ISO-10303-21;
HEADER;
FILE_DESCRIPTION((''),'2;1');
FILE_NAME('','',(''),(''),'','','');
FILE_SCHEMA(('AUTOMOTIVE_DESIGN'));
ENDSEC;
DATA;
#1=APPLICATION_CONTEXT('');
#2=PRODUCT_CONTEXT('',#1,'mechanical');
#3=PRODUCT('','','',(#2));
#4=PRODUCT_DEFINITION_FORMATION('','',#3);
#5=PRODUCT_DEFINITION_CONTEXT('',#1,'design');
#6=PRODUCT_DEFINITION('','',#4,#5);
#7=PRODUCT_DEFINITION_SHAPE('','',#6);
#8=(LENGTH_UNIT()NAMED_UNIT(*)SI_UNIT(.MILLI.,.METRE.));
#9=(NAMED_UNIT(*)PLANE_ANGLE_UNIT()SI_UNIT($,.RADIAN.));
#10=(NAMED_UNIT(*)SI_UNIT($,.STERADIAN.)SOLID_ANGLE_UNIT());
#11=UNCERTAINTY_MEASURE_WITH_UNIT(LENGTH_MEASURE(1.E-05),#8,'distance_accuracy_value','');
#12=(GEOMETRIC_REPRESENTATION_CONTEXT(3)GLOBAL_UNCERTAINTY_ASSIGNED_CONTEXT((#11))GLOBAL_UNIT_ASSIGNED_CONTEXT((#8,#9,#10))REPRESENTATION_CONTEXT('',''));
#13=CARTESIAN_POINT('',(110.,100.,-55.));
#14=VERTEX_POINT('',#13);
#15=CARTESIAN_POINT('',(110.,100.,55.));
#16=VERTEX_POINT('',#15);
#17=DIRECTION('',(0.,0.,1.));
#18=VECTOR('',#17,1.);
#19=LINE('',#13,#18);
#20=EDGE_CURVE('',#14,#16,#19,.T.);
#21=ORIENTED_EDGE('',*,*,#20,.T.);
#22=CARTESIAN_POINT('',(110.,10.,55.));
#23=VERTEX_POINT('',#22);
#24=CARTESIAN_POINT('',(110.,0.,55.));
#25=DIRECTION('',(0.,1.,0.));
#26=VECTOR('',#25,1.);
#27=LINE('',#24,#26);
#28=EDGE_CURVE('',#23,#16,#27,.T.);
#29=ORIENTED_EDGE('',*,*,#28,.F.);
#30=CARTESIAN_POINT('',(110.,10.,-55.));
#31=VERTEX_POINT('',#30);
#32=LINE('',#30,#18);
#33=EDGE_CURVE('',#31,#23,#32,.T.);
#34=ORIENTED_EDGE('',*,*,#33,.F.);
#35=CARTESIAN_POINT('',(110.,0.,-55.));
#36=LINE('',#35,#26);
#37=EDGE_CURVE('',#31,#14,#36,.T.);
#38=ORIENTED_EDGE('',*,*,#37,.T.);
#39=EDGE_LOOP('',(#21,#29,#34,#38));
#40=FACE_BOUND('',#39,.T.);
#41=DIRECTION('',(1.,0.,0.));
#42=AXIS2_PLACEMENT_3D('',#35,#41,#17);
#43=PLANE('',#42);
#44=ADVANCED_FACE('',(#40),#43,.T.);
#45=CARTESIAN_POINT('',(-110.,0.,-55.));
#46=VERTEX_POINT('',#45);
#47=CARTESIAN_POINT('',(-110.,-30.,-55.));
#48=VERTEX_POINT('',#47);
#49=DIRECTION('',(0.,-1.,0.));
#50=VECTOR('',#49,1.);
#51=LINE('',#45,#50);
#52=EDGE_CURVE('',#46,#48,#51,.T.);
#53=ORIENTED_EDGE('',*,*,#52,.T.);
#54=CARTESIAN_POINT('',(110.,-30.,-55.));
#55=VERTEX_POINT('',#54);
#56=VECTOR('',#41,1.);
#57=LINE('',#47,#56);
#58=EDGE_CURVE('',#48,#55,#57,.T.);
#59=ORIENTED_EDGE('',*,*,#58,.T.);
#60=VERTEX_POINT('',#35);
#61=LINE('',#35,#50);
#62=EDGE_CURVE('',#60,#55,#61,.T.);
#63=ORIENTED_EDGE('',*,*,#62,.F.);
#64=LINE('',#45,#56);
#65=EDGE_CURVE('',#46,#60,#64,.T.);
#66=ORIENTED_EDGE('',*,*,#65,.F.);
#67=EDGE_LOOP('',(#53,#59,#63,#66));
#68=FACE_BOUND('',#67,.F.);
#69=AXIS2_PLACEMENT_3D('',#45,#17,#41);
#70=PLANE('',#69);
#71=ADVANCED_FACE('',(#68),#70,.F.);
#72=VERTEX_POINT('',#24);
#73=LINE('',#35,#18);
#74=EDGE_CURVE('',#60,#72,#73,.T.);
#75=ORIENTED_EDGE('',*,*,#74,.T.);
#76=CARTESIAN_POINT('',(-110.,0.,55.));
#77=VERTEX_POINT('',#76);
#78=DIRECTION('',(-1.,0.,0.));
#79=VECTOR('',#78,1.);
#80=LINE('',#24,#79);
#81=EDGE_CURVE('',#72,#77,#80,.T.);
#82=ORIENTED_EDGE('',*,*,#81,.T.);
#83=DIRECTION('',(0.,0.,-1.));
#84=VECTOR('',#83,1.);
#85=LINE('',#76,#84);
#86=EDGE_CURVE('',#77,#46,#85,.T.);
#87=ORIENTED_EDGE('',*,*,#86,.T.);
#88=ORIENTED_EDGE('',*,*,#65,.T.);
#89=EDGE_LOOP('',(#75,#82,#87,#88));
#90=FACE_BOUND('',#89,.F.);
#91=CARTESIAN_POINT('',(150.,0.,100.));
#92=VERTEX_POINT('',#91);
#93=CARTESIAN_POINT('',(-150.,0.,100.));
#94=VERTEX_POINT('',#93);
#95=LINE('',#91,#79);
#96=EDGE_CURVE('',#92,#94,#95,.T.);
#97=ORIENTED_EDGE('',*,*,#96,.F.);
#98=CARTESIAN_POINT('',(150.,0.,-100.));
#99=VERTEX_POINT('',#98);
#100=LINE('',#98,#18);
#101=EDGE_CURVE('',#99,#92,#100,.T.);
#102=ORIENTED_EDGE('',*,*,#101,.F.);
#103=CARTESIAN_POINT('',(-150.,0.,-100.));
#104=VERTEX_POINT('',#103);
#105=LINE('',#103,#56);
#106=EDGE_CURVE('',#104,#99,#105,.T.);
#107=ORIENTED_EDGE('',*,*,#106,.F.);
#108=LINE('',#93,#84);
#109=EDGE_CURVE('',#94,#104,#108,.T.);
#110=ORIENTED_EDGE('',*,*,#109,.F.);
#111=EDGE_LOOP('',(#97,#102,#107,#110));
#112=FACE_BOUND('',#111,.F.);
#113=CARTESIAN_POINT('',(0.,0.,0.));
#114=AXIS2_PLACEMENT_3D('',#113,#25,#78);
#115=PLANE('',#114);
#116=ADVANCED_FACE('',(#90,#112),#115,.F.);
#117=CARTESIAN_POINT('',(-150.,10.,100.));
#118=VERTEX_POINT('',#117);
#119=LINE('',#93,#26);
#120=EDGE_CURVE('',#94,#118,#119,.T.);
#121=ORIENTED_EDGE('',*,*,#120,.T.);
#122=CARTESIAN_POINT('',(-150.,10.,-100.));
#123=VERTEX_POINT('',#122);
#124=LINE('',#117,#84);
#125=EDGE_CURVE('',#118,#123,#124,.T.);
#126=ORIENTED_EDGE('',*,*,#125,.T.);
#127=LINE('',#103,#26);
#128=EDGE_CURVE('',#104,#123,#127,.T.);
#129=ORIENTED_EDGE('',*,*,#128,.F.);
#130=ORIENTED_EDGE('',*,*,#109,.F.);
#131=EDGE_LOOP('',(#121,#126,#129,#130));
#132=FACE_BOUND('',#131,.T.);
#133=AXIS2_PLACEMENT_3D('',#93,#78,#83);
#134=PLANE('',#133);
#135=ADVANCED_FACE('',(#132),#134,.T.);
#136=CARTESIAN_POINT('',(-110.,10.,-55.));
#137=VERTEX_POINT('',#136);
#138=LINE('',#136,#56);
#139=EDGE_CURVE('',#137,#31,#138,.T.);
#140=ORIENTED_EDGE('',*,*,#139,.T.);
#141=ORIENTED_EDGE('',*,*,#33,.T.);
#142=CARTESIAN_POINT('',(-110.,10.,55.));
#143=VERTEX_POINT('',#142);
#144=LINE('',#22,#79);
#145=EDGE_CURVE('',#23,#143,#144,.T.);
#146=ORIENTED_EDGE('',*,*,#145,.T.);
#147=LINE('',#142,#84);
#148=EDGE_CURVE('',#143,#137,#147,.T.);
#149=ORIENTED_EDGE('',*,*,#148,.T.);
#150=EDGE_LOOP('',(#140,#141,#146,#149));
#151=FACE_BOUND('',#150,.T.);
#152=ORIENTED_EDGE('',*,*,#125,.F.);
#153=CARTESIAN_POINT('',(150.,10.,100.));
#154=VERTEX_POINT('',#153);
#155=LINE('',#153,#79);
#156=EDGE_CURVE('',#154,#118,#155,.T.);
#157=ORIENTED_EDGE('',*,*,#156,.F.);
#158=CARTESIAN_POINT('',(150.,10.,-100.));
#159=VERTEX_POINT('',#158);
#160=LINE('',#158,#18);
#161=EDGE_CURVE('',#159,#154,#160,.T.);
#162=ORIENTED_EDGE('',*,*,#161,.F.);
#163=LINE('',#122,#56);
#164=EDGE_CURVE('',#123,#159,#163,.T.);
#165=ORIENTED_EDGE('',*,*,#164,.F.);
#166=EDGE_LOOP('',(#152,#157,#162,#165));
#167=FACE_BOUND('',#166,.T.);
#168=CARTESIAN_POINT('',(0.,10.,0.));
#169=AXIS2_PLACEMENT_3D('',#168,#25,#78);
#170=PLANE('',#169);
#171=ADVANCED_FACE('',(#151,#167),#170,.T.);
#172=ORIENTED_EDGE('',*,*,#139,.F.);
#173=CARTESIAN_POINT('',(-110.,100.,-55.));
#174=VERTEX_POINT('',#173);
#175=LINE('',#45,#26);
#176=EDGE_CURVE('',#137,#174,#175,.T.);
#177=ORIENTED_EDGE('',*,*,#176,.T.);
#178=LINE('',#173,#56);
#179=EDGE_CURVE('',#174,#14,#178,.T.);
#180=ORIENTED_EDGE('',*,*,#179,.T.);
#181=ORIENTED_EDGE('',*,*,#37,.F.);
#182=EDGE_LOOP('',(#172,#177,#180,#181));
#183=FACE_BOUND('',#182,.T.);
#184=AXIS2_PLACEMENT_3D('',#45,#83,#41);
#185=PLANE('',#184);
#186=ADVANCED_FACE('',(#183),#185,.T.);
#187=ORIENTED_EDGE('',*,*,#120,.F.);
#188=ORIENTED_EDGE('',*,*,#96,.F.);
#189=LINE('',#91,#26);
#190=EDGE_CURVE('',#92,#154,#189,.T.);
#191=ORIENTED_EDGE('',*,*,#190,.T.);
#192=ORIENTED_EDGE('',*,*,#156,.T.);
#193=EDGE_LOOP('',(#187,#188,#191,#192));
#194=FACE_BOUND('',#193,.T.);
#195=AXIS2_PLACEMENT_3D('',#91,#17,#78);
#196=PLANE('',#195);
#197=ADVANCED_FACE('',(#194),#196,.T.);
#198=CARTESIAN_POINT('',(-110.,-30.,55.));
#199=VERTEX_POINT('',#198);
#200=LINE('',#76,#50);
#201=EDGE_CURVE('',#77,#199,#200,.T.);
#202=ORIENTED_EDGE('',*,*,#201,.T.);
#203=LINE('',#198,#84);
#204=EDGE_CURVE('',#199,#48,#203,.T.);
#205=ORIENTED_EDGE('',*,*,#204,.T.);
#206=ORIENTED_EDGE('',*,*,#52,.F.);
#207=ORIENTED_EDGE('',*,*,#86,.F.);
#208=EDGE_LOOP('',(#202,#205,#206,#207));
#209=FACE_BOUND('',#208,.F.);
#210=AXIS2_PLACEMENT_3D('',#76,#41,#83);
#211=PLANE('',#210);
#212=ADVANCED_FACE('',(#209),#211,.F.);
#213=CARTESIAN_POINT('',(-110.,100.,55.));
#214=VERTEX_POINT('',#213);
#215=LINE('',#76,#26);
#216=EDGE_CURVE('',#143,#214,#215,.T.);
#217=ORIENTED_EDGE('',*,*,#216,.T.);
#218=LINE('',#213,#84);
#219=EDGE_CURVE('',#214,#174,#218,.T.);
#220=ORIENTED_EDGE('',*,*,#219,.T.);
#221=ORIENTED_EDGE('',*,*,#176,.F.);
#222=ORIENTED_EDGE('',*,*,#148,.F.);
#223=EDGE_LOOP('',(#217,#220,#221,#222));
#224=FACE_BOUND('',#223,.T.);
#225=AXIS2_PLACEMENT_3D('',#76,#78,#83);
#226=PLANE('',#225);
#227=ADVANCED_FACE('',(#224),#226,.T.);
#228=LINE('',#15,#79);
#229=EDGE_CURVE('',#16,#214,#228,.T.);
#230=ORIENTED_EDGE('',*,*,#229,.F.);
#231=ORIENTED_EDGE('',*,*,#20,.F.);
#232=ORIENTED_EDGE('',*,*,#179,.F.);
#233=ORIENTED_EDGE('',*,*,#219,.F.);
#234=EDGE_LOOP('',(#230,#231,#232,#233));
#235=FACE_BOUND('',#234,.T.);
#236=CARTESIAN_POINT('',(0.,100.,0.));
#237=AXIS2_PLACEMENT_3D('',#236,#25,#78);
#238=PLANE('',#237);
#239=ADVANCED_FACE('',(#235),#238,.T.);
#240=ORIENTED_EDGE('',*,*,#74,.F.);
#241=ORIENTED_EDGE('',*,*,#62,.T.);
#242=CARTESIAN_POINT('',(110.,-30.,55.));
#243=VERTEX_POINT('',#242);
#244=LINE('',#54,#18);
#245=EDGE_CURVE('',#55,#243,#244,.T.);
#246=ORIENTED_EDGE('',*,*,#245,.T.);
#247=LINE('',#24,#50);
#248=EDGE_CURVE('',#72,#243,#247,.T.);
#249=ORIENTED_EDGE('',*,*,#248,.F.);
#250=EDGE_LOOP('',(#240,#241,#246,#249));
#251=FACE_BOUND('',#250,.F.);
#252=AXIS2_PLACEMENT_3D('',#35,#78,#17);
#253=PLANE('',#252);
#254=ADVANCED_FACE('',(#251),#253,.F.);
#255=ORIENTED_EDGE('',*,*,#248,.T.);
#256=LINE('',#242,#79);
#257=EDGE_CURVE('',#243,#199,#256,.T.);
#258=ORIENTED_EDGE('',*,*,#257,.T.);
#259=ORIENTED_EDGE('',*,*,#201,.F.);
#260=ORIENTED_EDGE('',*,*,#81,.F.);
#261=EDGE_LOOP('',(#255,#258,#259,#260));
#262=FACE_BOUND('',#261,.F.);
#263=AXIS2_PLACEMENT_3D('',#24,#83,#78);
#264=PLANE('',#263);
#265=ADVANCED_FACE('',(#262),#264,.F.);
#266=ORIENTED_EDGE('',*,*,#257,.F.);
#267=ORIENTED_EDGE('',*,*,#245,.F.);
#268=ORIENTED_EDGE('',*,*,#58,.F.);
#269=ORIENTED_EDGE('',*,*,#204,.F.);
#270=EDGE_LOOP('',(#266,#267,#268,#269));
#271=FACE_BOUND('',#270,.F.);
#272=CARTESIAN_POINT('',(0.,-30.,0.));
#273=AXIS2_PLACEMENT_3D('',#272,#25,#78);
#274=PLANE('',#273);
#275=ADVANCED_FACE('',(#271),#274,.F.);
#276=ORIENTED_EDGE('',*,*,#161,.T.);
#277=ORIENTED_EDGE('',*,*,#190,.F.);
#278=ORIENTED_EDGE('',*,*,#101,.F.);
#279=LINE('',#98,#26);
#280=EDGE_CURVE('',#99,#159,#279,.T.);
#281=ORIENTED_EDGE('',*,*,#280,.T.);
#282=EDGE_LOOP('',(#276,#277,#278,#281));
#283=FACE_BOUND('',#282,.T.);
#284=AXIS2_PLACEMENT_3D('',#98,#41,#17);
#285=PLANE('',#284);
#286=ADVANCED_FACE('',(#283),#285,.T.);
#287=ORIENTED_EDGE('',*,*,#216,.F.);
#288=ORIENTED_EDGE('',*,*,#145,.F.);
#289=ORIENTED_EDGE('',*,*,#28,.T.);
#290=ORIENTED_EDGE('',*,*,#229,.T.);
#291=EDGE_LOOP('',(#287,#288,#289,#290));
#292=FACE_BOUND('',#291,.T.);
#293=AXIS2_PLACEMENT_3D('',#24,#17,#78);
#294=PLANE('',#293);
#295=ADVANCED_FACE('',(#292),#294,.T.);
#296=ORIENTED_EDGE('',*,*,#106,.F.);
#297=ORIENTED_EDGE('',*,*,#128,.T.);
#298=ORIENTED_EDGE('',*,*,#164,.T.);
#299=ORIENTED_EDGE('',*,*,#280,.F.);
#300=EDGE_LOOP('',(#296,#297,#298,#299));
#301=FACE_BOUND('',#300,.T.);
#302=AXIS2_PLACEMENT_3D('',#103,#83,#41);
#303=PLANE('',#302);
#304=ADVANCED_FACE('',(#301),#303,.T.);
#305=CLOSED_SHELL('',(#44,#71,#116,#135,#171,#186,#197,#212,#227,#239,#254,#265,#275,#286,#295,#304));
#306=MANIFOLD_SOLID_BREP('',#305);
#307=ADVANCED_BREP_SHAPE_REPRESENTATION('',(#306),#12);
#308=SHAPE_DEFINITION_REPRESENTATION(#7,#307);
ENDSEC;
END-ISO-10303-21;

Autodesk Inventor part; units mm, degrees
ref_plane "YZ Plane" through (0, 0, 0) normal (1, 0, 0) x (0, 1, 0)
ref_plane "XZ Plane" through (0, 0, 0) normal (0, 1, 0) x (-1, 0, 0)
ref_plane "XY Plane" through (0, 0, 0) normal (0, 0, 1) x (1, 0, 0)
sketch "Sketch1" plane through (0, 0, 0) normal (0, 1, 0) x (-1, 0, 0)
  line L0 (-150, 100) -> (150, 100)
  line L1 (150, 100) -> (150, -100)
  line L2 (150, -100) -> (-150, -100)
  line L3 (-150, -100) -> (-150, 100)
  line L4 (-110, 55) -> (110, 55)
  line L5 (110, 55) -> (110, -55)
  line L6 (110, -55) -> (-110, -55)
  line L7 (-110, -55) -> (-110, 55)
  line L8 (-110, 55) -> (110, -55) construction
  line L9 (110, 55) -> (-110, -55) construction
  point P0 (0, 0)
  dimension "d0" = 300
  dimension "d1" = 200
  dimension "d3" = 220
  dimension "d4" = 110
extrude "Extrusion1" add sketch "Sketch1" along normal blind 10
extrude "Extrusion2" add sketch "Sketch1" along normal blind 100 contours L4 L5 L6 L7
extrude "Extrusion3" add sketch "Sketch1" against normal blind 30 contours L4 L5 L6 L7
